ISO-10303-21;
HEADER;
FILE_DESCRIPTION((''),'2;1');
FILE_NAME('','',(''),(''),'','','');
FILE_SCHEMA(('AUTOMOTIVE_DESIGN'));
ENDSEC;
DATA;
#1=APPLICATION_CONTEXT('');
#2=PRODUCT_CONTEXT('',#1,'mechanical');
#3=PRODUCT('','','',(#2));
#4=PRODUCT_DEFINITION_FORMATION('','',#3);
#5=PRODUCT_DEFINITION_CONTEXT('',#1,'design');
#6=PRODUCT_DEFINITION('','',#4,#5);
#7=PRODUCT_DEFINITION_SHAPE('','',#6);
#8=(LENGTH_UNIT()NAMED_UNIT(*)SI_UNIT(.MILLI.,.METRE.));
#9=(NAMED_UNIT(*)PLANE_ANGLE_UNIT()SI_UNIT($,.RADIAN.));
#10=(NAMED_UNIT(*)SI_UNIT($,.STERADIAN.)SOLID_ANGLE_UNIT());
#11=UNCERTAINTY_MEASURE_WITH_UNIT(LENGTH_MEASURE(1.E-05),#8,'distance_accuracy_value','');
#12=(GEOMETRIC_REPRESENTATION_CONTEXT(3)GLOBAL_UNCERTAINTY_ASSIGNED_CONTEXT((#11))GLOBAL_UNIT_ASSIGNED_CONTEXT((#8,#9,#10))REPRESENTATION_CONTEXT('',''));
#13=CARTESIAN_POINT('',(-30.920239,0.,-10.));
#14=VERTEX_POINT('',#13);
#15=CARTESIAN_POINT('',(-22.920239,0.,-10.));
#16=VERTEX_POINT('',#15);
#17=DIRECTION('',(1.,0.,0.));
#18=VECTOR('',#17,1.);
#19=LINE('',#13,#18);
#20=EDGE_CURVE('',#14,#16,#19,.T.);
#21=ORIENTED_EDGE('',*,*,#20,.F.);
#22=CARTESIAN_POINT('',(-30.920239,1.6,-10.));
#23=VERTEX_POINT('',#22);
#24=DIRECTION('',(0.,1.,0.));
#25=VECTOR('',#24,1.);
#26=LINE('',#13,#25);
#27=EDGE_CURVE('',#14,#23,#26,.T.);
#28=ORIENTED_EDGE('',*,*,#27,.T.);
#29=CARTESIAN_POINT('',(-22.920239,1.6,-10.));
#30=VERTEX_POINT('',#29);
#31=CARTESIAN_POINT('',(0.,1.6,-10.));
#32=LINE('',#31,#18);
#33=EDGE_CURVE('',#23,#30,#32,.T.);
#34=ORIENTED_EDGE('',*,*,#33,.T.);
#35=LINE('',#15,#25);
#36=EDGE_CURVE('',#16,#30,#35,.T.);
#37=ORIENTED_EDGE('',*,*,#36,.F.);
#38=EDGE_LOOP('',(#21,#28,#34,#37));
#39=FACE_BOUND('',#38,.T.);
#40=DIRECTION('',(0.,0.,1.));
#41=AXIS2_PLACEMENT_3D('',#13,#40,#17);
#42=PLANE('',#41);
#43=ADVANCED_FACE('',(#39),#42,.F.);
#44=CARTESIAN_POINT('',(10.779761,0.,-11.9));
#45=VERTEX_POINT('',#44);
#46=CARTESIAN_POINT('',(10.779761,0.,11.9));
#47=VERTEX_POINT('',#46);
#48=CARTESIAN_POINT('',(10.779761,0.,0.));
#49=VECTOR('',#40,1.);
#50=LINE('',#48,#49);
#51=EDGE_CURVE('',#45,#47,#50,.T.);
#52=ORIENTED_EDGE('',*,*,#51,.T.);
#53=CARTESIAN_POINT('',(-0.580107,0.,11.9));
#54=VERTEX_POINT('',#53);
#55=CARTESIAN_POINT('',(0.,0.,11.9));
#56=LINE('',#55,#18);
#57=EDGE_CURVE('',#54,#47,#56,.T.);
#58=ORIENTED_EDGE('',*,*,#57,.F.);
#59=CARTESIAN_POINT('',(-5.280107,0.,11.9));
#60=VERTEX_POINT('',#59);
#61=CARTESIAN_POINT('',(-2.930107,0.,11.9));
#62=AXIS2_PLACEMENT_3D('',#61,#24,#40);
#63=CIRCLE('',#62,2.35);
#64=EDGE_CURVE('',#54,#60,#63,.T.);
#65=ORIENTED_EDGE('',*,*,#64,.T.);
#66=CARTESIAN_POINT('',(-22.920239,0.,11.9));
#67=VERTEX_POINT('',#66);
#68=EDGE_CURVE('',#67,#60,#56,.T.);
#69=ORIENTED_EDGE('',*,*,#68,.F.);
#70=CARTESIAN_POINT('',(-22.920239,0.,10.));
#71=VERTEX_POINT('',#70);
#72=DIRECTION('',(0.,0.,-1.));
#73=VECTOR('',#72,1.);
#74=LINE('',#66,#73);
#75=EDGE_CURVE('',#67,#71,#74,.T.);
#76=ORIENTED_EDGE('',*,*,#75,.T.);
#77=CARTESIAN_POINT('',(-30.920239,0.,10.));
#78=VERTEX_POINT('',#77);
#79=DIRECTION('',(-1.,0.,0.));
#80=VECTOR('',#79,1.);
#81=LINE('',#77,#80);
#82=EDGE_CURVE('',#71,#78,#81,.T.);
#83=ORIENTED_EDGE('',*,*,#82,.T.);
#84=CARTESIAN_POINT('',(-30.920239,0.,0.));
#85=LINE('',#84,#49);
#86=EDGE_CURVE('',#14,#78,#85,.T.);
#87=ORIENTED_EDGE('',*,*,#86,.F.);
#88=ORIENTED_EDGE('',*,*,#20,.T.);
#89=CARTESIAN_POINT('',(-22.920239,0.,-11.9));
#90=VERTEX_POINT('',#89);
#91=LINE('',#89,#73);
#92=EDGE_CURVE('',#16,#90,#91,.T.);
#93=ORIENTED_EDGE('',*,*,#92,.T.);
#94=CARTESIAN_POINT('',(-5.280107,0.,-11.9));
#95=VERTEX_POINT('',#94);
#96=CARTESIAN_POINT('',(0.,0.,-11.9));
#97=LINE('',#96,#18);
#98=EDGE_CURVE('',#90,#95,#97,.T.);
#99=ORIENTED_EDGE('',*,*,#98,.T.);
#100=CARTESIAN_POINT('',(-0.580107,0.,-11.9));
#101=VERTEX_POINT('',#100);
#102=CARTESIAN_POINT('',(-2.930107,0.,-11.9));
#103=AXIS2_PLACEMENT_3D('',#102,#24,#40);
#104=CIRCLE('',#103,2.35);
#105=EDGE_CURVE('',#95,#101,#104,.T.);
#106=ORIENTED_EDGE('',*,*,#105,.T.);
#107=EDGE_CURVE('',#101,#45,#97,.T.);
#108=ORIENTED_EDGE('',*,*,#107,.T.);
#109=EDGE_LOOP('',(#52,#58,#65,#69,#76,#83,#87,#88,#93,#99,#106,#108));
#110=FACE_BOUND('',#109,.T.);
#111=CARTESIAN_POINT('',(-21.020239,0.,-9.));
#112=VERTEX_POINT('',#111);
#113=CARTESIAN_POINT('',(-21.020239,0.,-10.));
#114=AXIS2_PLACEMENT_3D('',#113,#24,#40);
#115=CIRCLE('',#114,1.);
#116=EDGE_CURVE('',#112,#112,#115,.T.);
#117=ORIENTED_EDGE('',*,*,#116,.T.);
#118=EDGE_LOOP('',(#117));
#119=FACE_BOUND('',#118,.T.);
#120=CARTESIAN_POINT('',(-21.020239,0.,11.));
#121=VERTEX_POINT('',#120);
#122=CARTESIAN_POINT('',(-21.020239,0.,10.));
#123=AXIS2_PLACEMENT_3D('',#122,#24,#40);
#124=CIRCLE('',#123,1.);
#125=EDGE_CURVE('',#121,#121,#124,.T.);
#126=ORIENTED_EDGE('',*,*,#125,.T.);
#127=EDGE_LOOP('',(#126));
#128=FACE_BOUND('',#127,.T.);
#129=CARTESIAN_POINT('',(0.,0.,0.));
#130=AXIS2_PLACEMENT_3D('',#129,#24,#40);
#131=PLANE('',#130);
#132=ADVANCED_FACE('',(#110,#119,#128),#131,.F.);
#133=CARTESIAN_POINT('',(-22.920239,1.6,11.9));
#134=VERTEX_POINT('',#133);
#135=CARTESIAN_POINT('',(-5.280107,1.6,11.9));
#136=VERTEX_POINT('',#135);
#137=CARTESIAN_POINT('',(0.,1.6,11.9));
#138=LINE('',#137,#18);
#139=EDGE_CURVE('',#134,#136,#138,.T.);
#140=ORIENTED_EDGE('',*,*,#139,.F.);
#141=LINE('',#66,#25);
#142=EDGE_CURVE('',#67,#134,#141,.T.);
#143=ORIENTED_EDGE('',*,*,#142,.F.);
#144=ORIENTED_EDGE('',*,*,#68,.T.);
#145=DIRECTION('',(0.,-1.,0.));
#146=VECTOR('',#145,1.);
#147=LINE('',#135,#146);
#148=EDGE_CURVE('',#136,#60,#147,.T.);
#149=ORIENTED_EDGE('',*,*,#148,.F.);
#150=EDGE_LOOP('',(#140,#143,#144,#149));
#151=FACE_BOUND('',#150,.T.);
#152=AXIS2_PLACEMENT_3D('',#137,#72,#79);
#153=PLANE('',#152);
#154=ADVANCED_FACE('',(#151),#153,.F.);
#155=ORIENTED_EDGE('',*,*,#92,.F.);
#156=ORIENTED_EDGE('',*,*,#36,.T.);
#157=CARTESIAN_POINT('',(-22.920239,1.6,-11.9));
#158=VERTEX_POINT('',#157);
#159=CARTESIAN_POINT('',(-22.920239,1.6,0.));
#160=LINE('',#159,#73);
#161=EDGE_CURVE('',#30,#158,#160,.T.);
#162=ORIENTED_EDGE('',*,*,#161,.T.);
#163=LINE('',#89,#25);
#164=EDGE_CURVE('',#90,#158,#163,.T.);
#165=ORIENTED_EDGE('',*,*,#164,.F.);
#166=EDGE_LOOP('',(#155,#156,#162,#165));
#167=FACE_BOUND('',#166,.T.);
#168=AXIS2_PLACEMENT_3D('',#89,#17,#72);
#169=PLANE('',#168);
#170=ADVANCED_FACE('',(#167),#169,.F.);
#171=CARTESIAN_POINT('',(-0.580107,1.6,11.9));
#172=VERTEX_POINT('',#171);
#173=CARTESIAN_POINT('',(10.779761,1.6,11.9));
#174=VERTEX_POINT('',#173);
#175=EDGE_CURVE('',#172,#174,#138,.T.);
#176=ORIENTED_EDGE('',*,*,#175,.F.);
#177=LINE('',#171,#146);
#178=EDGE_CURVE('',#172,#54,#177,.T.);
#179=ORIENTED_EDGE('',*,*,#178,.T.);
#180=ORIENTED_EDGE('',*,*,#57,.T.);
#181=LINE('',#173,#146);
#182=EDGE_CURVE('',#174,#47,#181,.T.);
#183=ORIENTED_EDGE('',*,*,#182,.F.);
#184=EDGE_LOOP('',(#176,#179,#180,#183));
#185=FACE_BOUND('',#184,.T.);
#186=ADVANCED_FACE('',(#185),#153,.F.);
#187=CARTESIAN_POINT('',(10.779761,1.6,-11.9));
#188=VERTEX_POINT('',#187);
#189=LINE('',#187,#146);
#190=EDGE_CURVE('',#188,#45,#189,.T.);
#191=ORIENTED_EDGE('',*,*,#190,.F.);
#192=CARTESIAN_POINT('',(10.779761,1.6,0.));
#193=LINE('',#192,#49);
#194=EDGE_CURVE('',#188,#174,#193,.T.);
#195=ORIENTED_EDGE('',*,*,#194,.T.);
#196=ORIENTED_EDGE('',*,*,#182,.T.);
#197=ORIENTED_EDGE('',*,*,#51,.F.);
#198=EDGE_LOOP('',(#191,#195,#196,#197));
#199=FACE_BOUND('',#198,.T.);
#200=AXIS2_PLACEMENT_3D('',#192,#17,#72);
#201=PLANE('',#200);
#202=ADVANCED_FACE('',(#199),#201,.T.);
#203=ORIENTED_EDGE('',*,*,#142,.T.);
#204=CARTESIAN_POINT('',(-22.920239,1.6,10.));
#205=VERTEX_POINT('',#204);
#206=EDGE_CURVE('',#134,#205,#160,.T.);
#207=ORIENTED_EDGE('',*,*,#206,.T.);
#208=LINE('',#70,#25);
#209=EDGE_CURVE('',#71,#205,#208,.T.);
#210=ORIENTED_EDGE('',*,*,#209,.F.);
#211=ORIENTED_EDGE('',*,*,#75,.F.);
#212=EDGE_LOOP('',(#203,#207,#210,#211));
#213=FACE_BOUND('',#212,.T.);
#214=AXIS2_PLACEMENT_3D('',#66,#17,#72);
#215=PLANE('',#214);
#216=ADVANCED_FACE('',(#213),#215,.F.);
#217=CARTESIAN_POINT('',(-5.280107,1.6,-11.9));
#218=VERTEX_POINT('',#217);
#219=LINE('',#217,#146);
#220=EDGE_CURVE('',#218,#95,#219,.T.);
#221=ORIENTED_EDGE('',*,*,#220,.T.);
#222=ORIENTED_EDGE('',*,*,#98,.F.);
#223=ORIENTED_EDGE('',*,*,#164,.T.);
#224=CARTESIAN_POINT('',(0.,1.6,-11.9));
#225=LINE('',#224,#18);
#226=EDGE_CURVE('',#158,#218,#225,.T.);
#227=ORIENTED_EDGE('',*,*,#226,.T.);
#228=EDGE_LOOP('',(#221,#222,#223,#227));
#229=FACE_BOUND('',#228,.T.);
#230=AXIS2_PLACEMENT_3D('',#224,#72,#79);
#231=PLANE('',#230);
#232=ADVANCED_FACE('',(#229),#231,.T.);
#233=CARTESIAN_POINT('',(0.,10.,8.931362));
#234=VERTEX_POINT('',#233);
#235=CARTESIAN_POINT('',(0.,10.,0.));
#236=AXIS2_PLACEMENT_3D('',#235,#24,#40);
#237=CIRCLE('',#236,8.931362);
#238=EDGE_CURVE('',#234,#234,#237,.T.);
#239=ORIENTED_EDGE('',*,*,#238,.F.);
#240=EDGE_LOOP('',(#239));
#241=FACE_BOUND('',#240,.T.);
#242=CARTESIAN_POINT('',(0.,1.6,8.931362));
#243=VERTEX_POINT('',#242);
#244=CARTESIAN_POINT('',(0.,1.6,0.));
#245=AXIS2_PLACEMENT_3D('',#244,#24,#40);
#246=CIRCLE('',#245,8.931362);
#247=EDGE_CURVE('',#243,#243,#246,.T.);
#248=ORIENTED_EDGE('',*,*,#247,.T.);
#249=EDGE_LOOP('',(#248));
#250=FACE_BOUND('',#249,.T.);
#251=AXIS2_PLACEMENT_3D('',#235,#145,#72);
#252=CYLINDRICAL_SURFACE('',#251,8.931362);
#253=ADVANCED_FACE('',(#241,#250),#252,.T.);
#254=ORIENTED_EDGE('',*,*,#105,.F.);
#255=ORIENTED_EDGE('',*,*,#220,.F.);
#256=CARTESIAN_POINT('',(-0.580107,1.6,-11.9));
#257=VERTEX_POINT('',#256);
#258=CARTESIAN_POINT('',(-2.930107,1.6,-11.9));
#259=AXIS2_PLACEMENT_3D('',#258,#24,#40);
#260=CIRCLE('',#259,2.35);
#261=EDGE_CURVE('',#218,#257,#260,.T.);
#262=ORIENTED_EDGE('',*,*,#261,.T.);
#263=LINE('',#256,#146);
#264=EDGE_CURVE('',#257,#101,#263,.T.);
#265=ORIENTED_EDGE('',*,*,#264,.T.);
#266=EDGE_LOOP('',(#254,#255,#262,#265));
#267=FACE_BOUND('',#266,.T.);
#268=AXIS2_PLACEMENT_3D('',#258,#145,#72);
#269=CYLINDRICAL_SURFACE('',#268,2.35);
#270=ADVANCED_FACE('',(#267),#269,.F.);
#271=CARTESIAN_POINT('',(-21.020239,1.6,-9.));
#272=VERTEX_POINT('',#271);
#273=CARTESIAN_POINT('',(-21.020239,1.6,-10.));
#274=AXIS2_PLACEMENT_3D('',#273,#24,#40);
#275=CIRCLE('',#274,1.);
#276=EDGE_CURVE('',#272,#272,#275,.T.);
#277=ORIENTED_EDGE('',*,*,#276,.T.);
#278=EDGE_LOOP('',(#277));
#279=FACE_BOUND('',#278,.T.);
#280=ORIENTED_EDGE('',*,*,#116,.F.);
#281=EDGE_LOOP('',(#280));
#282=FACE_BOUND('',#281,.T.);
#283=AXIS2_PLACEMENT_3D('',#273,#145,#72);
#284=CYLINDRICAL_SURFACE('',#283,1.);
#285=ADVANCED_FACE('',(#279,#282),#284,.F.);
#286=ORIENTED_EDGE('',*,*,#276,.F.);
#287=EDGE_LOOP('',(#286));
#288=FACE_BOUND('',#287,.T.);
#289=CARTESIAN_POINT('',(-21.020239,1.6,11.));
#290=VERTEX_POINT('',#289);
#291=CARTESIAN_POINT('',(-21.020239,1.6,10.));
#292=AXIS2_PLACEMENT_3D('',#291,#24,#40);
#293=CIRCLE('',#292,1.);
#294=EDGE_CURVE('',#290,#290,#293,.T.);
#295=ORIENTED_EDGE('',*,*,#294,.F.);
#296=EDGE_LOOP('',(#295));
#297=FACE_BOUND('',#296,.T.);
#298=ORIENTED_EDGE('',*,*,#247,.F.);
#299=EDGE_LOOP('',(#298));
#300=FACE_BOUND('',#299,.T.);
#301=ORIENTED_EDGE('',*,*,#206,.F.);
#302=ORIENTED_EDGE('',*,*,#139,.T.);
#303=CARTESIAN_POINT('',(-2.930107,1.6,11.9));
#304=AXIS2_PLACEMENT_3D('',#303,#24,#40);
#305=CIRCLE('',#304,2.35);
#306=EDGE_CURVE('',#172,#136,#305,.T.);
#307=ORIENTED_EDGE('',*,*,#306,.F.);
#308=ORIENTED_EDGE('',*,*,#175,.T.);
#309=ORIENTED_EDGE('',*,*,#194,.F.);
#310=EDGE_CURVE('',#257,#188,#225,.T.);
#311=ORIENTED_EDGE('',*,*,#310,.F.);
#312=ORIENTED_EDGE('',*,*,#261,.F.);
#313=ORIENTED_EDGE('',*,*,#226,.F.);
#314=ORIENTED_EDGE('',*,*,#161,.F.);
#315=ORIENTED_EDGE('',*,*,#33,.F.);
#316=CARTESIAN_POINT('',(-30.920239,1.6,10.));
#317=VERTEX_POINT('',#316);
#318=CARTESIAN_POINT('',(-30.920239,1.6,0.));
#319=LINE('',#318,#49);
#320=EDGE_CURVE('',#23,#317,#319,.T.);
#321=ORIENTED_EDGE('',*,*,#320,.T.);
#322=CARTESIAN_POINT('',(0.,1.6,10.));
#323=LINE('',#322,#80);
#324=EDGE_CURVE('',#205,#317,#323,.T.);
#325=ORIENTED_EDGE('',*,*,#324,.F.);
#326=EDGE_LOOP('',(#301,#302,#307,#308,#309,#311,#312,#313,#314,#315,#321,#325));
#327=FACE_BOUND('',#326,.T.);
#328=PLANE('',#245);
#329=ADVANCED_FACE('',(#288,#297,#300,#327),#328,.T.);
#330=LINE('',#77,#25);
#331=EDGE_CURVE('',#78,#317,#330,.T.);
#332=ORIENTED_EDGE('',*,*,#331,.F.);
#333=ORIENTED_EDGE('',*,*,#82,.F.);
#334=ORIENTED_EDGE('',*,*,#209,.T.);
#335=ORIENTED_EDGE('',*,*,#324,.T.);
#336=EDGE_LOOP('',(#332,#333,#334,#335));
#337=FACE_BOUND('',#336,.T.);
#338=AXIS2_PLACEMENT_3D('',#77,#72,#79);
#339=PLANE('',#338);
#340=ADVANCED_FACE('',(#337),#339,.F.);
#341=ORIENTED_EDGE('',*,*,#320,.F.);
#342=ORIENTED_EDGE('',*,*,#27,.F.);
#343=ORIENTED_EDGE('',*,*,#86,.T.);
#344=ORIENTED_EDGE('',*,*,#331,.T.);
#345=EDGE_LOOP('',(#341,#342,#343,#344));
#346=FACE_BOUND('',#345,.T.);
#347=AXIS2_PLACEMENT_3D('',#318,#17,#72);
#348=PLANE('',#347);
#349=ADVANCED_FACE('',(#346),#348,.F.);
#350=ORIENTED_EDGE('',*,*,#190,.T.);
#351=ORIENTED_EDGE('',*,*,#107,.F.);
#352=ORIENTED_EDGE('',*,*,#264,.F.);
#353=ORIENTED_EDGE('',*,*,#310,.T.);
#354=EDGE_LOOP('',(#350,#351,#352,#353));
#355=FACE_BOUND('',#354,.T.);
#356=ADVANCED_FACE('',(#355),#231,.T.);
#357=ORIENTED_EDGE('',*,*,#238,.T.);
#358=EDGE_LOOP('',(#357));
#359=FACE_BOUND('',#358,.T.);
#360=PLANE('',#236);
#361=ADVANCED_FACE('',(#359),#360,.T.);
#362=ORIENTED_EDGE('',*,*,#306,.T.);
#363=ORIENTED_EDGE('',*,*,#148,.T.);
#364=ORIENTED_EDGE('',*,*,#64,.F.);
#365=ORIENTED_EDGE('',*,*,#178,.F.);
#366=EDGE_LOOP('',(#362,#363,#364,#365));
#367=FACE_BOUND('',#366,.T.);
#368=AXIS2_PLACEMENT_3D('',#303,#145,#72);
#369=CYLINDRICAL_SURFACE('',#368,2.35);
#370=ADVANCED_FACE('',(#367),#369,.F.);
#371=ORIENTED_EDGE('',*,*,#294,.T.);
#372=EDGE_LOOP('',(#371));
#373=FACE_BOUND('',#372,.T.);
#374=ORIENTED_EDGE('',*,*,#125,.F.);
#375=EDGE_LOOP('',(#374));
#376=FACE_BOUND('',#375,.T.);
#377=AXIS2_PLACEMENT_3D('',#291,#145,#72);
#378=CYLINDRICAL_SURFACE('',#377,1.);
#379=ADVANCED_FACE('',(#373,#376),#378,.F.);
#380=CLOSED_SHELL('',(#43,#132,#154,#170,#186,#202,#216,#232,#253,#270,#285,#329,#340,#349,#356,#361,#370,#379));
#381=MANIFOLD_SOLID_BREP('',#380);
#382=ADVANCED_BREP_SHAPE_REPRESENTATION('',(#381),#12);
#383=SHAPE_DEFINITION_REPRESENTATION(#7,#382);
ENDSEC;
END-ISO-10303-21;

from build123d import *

# Parameters (mm, degrees)
SKETCH1_R               = 1
BOSS_EXTRUDE1_DEPTH     = 1.6
SKETCH2_R               = 8.931361996
BOSS_EXTRUDE2_DEPTH     = 8.4
SKETCH3_W               = 8
SKETCH3_H               = 1.9
CUT_EXTRUDE1_DEPTH      = 9.4
CUT_EXTRUDE1_DEPTH_BACK = 2.6


with BuildPart() as part:
    # Sketch1 → Boss-Extrude1 (new body)
    with BuildSketch(Plane(origin=(0, 0, 0), x_dir=(1, 0, 0), z_dir=(0, 1, 0))):
        with BuildLine():
            Line((10.779760555, 11.9), (-0.580107175, 11.9))
            ThreePointArc((-0.580107175, 11.9), (-2.930107175, 9.55), (-5.280107175, 11.9))
            Line((-5.280107175, 11.9), (-30.920239445, 11.9))
            Line((-30.920239445, 11.9), (-30.920239445, -11.9))
            Line((-30.920239445, -11.9), (-5.280107175, -11.9))
            ThreePointArc((-5.280107175, -11.9), (-2.930107175, -9.55), (-0.580107175, -11.9))
            Line((-0.580107175, -11.9), (10.779760555, -11.9))
            Line((10.779760555, -11.9), (10.779760555, 11.9))
        make_face()
        with Locations((-21.020239445, -10)):
            Circle(SKETCH1_R, mode=Mode.SUBTRACT)
        with Locations((-21.020239445, 10)):
            Circle(SKETCH1_R, mode=Mode.SUBTRACT)
    extrude(amount=BOSS_EXTRUDE1_DEPTH)

    # Sketch2 → Boss-Extrude2 (add)
    with BuildSketch(Plane(origin=(0, 1.6, 0), x_dir=(1, 0, 0), z_dir=(0, 1, 0))):
        Circle(SKETCH2_R)
    extrude(amount=BOSS_EXTRUDE2_DEPTH)

    # Sketch3 → Cut-Extrude1 (cut, two sides)
    with BuildSketch(Plane(origin=(0, 1.6, 0), x_dir=(1, 0, 0), z_dir=(0, 1, 0))) as cut_extrude1_sk:
        with Locations((-26.920239445, 10.95)):
            Rectangle(SKETCH3_W, SKETCH3_H)
        with Locations((-26.920239445, -10.95)):
            Rectangle(SKETCH3_W, SKETCH3_H)
    extrude(amount=CUT_EXTRUDE1_DEPTH, mode=Mode.SUBTRACT)
    extrude(cut_extrude1_sk.sketch, amount=-CUT_EXTRUDE1_DEPTH_BACK, mode=Mode.SUBTRACT)


solid = part.part
